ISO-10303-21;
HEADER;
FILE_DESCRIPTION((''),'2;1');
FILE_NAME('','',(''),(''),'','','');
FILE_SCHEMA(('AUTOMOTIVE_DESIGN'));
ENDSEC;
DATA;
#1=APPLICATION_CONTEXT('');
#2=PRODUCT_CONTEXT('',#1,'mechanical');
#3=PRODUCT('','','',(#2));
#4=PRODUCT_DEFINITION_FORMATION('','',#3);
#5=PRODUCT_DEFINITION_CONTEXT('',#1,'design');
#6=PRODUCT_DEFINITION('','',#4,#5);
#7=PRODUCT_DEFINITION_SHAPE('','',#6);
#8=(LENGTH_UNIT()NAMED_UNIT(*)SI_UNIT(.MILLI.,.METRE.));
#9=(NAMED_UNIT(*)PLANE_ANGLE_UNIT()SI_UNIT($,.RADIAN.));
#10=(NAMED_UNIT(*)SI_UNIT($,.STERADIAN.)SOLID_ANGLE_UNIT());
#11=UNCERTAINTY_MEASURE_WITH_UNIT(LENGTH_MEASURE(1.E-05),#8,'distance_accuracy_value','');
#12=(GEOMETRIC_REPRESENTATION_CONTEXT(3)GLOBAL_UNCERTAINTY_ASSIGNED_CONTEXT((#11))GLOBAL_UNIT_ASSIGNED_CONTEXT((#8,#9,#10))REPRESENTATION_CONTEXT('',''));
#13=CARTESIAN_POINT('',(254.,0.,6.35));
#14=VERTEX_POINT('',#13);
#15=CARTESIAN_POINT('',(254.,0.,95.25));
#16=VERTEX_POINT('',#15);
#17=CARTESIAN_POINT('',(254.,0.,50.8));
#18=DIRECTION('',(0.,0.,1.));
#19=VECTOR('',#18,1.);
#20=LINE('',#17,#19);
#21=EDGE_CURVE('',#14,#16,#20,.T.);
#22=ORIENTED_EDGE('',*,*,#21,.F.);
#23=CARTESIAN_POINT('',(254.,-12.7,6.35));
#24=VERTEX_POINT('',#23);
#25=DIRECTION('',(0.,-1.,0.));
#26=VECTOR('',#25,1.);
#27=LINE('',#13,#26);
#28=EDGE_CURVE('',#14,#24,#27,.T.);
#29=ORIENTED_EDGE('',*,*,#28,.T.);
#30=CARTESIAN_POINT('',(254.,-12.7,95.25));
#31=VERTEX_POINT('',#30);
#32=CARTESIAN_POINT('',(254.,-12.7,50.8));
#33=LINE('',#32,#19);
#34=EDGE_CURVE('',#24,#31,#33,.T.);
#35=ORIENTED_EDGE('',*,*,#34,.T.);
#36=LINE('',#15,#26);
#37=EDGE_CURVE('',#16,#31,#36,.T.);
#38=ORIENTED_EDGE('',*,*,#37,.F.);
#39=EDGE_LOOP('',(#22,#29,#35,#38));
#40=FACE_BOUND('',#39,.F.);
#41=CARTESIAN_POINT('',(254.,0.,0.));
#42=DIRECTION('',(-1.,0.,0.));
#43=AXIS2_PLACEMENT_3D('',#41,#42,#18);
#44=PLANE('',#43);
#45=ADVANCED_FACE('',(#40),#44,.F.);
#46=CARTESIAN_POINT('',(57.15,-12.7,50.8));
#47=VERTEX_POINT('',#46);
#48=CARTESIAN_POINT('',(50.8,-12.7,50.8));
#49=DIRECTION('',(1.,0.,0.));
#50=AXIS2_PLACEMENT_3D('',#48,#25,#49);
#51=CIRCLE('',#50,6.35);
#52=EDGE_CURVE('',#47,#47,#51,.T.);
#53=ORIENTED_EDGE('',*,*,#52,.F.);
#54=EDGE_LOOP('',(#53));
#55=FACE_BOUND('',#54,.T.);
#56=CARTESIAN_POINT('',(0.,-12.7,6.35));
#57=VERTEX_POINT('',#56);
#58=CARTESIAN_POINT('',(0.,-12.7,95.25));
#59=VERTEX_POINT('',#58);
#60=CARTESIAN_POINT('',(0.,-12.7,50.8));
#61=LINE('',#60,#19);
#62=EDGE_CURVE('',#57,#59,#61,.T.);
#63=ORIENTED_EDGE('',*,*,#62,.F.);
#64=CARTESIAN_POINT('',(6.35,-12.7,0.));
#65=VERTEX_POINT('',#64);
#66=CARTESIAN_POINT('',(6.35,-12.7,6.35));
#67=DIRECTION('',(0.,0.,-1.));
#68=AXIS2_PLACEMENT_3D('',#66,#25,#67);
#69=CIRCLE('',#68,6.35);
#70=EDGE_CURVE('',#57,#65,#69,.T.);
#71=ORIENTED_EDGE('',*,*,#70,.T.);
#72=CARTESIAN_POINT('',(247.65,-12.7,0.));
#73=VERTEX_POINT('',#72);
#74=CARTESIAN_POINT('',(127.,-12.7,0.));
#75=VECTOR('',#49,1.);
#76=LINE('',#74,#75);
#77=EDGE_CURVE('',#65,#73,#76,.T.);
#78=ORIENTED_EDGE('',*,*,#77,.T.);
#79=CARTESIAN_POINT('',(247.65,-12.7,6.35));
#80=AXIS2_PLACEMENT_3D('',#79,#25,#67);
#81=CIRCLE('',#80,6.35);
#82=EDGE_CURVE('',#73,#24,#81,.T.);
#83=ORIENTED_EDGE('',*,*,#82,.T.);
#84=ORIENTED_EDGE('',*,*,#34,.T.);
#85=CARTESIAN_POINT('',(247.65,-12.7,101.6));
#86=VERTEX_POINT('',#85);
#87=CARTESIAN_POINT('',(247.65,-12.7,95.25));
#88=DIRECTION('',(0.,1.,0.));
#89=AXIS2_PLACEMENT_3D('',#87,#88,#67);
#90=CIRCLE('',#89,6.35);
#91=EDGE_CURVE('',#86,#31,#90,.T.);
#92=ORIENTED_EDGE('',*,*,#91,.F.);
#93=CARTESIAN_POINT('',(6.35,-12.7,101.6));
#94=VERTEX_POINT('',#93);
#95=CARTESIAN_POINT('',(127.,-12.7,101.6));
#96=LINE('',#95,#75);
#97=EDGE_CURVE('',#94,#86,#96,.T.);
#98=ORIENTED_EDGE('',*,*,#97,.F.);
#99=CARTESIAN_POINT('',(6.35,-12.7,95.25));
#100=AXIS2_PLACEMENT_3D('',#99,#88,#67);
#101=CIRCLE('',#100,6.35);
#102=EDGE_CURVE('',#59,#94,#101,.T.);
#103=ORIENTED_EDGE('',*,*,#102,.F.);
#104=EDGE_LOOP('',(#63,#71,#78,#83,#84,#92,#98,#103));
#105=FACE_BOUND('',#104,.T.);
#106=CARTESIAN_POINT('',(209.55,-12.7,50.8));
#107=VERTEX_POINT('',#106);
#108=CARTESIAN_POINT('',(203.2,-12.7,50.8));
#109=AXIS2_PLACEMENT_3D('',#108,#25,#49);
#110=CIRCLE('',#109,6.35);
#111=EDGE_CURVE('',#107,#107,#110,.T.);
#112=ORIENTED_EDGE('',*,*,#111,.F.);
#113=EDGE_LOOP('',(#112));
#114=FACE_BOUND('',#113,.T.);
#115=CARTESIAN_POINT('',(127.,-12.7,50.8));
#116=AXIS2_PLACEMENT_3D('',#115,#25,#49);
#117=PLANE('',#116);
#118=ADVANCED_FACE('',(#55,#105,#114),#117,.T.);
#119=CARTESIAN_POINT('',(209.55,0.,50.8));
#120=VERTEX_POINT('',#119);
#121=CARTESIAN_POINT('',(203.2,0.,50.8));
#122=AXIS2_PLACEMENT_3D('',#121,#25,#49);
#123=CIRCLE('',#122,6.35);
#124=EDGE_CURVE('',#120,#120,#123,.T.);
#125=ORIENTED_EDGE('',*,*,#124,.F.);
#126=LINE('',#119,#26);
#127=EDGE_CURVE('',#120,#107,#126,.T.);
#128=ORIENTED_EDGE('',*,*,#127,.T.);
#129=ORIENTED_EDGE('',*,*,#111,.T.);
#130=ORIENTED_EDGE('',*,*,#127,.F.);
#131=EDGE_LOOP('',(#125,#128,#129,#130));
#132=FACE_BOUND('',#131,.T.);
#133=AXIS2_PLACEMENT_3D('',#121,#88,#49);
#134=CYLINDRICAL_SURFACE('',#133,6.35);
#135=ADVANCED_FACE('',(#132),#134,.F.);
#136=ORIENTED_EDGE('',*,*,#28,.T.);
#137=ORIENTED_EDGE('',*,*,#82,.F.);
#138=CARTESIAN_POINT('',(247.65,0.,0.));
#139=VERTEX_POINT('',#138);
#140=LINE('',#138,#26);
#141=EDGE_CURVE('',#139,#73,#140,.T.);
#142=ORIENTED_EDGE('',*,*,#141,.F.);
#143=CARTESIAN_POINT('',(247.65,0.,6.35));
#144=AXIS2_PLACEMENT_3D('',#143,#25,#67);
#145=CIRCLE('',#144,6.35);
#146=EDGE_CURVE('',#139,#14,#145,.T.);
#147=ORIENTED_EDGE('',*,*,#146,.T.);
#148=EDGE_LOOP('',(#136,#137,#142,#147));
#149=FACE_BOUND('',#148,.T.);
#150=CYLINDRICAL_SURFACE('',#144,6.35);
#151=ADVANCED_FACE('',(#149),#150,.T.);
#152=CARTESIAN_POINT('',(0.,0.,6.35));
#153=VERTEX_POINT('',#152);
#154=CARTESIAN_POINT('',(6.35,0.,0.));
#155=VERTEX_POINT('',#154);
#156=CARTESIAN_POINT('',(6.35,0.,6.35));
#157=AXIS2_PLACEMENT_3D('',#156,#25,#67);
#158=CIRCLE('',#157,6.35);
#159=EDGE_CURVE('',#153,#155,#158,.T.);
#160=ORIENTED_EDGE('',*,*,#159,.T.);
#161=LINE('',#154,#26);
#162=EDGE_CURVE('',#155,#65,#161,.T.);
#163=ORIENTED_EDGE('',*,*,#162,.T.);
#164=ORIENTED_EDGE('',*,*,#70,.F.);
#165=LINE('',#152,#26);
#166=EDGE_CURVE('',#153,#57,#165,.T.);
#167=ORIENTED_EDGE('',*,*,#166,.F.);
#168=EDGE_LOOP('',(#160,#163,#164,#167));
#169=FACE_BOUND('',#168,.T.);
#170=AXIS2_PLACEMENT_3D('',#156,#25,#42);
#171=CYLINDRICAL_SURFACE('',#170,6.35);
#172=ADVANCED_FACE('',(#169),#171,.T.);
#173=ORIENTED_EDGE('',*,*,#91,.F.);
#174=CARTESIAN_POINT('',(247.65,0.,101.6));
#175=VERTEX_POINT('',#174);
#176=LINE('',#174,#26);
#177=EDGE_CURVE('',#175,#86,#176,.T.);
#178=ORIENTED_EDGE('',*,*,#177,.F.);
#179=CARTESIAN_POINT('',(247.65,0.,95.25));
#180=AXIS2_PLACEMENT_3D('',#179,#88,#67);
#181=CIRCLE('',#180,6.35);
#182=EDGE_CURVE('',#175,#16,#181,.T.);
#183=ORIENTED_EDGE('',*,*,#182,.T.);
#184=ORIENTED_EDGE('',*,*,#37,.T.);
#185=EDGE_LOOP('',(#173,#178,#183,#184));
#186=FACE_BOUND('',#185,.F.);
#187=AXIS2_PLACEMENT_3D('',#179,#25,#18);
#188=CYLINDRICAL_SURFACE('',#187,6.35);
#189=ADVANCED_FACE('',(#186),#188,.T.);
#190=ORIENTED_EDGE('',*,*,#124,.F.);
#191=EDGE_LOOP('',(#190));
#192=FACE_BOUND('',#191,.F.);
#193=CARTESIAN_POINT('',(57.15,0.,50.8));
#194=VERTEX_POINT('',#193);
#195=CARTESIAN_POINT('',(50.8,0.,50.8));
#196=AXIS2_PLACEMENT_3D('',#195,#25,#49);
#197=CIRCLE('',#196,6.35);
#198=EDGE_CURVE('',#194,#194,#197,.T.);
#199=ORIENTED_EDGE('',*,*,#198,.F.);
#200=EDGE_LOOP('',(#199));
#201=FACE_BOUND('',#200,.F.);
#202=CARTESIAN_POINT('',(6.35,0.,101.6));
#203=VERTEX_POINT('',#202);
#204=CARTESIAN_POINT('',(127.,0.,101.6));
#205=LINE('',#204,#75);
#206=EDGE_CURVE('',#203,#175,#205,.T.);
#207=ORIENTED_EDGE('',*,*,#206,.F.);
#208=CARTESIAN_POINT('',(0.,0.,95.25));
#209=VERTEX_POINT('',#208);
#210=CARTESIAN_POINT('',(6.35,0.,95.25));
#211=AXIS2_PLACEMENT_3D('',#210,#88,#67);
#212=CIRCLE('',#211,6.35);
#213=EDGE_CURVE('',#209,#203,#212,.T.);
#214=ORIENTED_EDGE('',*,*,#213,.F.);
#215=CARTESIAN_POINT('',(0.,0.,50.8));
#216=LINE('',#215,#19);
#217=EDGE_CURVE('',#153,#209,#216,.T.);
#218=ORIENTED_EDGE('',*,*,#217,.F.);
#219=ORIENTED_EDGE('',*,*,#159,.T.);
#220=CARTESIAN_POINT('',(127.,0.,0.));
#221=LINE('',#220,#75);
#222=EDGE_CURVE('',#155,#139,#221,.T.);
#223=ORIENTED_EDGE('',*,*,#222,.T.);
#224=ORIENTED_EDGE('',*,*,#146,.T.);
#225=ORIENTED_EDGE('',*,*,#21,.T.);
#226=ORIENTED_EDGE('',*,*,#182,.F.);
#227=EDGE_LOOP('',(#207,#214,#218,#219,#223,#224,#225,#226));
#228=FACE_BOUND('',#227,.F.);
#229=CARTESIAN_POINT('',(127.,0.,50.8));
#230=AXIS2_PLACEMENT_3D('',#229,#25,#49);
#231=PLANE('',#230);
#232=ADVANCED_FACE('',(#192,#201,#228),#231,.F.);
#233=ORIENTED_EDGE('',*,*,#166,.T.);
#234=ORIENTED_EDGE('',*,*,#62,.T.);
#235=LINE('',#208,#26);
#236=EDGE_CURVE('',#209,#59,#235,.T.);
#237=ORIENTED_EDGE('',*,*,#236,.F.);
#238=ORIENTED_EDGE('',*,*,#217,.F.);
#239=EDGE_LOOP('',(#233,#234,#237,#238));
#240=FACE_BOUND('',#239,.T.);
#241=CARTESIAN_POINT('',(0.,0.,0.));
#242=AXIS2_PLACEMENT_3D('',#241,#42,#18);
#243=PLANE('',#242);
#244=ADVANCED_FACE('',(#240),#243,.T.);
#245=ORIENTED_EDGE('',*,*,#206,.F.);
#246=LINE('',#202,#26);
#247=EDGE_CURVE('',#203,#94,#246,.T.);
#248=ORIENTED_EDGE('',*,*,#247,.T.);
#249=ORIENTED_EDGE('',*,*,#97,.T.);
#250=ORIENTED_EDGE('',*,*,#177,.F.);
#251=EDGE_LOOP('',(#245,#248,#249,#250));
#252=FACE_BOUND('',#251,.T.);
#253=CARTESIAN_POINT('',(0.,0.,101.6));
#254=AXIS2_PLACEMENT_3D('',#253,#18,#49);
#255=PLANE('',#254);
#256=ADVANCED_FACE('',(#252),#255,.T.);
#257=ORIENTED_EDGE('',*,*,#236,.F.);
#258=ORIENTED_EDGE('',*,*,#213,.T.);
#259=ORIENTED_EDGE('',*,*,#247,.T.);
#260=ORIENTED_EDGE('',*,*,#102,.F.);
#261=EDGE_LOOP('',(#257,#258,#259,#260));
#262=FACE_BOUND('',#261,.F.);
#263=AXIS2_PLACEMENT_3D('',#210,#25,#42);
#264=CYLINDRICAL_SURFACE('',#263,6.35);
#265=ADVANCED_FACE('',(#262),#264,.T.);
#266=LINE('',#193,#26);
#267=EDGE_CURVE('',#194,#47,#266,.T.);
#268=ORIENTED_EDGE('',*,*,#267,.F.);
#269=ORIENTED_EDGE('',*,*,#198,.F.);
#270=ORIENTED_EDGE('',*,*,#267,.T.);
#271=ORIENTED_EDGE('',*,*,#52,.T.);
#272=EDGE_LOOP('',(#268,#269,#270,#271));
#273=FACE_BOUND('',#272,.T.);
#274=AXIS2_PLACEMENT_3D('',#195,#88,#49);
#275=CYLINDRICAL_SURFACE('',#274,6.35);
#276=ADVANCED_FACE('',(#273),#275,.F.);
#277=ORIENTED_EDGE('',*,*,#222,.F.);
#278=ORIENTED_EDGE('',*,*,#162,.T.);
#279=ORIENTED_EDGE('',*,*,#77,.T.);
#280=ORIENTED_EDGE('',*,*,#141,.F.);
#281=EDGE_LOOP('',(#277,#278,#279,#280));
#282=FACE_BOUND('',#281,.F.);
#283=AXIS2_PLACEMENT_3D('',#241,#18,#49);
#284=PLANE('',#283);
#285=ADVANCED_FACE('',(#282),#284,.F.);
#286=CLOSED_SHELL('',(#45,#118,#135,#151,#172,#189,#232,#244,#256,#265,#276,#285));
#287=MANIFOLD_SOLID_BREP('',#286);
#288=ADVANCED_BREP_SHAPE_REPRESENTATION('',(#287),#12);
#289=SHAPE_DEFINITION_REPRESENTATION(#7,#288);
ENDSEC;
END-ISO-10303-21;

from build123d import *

# Parameters (mm, degrees)
F0_W     = 254
F0_H     = 101.6
F0_R     = 6.35
F1_DEPTH = 12.7
F2_R     = 6.35


with BuildPart() as f1:
    # F0 (on Front) → F1 (new body)
    with BuildSketch(Plane.XZ):
        with Locations((127, 50.8)):
            Rectangle(F0_W, F0_H)
        with Locations((50.8, 50.8)):
            Circle(F0_R, mode=Mode.SUBTRACT)
        with Locations((203.2, 50.8)):
            Circle(F0_R, mode=Mode.SUBTRACT)
    extrude(amount=F1_DEPTH)

    # F2
    f2_edges = [f1.edges().sort_by_distance(p)[0] for p in [
        (0, -6.35, 101.6),
        (254, -6.35, 101.6),
        (254, -6.35, 0),
        (0, -6.35, 0),
    ]]
    fillet(f2_edges, radius=F2_R)


solid = f1.part
